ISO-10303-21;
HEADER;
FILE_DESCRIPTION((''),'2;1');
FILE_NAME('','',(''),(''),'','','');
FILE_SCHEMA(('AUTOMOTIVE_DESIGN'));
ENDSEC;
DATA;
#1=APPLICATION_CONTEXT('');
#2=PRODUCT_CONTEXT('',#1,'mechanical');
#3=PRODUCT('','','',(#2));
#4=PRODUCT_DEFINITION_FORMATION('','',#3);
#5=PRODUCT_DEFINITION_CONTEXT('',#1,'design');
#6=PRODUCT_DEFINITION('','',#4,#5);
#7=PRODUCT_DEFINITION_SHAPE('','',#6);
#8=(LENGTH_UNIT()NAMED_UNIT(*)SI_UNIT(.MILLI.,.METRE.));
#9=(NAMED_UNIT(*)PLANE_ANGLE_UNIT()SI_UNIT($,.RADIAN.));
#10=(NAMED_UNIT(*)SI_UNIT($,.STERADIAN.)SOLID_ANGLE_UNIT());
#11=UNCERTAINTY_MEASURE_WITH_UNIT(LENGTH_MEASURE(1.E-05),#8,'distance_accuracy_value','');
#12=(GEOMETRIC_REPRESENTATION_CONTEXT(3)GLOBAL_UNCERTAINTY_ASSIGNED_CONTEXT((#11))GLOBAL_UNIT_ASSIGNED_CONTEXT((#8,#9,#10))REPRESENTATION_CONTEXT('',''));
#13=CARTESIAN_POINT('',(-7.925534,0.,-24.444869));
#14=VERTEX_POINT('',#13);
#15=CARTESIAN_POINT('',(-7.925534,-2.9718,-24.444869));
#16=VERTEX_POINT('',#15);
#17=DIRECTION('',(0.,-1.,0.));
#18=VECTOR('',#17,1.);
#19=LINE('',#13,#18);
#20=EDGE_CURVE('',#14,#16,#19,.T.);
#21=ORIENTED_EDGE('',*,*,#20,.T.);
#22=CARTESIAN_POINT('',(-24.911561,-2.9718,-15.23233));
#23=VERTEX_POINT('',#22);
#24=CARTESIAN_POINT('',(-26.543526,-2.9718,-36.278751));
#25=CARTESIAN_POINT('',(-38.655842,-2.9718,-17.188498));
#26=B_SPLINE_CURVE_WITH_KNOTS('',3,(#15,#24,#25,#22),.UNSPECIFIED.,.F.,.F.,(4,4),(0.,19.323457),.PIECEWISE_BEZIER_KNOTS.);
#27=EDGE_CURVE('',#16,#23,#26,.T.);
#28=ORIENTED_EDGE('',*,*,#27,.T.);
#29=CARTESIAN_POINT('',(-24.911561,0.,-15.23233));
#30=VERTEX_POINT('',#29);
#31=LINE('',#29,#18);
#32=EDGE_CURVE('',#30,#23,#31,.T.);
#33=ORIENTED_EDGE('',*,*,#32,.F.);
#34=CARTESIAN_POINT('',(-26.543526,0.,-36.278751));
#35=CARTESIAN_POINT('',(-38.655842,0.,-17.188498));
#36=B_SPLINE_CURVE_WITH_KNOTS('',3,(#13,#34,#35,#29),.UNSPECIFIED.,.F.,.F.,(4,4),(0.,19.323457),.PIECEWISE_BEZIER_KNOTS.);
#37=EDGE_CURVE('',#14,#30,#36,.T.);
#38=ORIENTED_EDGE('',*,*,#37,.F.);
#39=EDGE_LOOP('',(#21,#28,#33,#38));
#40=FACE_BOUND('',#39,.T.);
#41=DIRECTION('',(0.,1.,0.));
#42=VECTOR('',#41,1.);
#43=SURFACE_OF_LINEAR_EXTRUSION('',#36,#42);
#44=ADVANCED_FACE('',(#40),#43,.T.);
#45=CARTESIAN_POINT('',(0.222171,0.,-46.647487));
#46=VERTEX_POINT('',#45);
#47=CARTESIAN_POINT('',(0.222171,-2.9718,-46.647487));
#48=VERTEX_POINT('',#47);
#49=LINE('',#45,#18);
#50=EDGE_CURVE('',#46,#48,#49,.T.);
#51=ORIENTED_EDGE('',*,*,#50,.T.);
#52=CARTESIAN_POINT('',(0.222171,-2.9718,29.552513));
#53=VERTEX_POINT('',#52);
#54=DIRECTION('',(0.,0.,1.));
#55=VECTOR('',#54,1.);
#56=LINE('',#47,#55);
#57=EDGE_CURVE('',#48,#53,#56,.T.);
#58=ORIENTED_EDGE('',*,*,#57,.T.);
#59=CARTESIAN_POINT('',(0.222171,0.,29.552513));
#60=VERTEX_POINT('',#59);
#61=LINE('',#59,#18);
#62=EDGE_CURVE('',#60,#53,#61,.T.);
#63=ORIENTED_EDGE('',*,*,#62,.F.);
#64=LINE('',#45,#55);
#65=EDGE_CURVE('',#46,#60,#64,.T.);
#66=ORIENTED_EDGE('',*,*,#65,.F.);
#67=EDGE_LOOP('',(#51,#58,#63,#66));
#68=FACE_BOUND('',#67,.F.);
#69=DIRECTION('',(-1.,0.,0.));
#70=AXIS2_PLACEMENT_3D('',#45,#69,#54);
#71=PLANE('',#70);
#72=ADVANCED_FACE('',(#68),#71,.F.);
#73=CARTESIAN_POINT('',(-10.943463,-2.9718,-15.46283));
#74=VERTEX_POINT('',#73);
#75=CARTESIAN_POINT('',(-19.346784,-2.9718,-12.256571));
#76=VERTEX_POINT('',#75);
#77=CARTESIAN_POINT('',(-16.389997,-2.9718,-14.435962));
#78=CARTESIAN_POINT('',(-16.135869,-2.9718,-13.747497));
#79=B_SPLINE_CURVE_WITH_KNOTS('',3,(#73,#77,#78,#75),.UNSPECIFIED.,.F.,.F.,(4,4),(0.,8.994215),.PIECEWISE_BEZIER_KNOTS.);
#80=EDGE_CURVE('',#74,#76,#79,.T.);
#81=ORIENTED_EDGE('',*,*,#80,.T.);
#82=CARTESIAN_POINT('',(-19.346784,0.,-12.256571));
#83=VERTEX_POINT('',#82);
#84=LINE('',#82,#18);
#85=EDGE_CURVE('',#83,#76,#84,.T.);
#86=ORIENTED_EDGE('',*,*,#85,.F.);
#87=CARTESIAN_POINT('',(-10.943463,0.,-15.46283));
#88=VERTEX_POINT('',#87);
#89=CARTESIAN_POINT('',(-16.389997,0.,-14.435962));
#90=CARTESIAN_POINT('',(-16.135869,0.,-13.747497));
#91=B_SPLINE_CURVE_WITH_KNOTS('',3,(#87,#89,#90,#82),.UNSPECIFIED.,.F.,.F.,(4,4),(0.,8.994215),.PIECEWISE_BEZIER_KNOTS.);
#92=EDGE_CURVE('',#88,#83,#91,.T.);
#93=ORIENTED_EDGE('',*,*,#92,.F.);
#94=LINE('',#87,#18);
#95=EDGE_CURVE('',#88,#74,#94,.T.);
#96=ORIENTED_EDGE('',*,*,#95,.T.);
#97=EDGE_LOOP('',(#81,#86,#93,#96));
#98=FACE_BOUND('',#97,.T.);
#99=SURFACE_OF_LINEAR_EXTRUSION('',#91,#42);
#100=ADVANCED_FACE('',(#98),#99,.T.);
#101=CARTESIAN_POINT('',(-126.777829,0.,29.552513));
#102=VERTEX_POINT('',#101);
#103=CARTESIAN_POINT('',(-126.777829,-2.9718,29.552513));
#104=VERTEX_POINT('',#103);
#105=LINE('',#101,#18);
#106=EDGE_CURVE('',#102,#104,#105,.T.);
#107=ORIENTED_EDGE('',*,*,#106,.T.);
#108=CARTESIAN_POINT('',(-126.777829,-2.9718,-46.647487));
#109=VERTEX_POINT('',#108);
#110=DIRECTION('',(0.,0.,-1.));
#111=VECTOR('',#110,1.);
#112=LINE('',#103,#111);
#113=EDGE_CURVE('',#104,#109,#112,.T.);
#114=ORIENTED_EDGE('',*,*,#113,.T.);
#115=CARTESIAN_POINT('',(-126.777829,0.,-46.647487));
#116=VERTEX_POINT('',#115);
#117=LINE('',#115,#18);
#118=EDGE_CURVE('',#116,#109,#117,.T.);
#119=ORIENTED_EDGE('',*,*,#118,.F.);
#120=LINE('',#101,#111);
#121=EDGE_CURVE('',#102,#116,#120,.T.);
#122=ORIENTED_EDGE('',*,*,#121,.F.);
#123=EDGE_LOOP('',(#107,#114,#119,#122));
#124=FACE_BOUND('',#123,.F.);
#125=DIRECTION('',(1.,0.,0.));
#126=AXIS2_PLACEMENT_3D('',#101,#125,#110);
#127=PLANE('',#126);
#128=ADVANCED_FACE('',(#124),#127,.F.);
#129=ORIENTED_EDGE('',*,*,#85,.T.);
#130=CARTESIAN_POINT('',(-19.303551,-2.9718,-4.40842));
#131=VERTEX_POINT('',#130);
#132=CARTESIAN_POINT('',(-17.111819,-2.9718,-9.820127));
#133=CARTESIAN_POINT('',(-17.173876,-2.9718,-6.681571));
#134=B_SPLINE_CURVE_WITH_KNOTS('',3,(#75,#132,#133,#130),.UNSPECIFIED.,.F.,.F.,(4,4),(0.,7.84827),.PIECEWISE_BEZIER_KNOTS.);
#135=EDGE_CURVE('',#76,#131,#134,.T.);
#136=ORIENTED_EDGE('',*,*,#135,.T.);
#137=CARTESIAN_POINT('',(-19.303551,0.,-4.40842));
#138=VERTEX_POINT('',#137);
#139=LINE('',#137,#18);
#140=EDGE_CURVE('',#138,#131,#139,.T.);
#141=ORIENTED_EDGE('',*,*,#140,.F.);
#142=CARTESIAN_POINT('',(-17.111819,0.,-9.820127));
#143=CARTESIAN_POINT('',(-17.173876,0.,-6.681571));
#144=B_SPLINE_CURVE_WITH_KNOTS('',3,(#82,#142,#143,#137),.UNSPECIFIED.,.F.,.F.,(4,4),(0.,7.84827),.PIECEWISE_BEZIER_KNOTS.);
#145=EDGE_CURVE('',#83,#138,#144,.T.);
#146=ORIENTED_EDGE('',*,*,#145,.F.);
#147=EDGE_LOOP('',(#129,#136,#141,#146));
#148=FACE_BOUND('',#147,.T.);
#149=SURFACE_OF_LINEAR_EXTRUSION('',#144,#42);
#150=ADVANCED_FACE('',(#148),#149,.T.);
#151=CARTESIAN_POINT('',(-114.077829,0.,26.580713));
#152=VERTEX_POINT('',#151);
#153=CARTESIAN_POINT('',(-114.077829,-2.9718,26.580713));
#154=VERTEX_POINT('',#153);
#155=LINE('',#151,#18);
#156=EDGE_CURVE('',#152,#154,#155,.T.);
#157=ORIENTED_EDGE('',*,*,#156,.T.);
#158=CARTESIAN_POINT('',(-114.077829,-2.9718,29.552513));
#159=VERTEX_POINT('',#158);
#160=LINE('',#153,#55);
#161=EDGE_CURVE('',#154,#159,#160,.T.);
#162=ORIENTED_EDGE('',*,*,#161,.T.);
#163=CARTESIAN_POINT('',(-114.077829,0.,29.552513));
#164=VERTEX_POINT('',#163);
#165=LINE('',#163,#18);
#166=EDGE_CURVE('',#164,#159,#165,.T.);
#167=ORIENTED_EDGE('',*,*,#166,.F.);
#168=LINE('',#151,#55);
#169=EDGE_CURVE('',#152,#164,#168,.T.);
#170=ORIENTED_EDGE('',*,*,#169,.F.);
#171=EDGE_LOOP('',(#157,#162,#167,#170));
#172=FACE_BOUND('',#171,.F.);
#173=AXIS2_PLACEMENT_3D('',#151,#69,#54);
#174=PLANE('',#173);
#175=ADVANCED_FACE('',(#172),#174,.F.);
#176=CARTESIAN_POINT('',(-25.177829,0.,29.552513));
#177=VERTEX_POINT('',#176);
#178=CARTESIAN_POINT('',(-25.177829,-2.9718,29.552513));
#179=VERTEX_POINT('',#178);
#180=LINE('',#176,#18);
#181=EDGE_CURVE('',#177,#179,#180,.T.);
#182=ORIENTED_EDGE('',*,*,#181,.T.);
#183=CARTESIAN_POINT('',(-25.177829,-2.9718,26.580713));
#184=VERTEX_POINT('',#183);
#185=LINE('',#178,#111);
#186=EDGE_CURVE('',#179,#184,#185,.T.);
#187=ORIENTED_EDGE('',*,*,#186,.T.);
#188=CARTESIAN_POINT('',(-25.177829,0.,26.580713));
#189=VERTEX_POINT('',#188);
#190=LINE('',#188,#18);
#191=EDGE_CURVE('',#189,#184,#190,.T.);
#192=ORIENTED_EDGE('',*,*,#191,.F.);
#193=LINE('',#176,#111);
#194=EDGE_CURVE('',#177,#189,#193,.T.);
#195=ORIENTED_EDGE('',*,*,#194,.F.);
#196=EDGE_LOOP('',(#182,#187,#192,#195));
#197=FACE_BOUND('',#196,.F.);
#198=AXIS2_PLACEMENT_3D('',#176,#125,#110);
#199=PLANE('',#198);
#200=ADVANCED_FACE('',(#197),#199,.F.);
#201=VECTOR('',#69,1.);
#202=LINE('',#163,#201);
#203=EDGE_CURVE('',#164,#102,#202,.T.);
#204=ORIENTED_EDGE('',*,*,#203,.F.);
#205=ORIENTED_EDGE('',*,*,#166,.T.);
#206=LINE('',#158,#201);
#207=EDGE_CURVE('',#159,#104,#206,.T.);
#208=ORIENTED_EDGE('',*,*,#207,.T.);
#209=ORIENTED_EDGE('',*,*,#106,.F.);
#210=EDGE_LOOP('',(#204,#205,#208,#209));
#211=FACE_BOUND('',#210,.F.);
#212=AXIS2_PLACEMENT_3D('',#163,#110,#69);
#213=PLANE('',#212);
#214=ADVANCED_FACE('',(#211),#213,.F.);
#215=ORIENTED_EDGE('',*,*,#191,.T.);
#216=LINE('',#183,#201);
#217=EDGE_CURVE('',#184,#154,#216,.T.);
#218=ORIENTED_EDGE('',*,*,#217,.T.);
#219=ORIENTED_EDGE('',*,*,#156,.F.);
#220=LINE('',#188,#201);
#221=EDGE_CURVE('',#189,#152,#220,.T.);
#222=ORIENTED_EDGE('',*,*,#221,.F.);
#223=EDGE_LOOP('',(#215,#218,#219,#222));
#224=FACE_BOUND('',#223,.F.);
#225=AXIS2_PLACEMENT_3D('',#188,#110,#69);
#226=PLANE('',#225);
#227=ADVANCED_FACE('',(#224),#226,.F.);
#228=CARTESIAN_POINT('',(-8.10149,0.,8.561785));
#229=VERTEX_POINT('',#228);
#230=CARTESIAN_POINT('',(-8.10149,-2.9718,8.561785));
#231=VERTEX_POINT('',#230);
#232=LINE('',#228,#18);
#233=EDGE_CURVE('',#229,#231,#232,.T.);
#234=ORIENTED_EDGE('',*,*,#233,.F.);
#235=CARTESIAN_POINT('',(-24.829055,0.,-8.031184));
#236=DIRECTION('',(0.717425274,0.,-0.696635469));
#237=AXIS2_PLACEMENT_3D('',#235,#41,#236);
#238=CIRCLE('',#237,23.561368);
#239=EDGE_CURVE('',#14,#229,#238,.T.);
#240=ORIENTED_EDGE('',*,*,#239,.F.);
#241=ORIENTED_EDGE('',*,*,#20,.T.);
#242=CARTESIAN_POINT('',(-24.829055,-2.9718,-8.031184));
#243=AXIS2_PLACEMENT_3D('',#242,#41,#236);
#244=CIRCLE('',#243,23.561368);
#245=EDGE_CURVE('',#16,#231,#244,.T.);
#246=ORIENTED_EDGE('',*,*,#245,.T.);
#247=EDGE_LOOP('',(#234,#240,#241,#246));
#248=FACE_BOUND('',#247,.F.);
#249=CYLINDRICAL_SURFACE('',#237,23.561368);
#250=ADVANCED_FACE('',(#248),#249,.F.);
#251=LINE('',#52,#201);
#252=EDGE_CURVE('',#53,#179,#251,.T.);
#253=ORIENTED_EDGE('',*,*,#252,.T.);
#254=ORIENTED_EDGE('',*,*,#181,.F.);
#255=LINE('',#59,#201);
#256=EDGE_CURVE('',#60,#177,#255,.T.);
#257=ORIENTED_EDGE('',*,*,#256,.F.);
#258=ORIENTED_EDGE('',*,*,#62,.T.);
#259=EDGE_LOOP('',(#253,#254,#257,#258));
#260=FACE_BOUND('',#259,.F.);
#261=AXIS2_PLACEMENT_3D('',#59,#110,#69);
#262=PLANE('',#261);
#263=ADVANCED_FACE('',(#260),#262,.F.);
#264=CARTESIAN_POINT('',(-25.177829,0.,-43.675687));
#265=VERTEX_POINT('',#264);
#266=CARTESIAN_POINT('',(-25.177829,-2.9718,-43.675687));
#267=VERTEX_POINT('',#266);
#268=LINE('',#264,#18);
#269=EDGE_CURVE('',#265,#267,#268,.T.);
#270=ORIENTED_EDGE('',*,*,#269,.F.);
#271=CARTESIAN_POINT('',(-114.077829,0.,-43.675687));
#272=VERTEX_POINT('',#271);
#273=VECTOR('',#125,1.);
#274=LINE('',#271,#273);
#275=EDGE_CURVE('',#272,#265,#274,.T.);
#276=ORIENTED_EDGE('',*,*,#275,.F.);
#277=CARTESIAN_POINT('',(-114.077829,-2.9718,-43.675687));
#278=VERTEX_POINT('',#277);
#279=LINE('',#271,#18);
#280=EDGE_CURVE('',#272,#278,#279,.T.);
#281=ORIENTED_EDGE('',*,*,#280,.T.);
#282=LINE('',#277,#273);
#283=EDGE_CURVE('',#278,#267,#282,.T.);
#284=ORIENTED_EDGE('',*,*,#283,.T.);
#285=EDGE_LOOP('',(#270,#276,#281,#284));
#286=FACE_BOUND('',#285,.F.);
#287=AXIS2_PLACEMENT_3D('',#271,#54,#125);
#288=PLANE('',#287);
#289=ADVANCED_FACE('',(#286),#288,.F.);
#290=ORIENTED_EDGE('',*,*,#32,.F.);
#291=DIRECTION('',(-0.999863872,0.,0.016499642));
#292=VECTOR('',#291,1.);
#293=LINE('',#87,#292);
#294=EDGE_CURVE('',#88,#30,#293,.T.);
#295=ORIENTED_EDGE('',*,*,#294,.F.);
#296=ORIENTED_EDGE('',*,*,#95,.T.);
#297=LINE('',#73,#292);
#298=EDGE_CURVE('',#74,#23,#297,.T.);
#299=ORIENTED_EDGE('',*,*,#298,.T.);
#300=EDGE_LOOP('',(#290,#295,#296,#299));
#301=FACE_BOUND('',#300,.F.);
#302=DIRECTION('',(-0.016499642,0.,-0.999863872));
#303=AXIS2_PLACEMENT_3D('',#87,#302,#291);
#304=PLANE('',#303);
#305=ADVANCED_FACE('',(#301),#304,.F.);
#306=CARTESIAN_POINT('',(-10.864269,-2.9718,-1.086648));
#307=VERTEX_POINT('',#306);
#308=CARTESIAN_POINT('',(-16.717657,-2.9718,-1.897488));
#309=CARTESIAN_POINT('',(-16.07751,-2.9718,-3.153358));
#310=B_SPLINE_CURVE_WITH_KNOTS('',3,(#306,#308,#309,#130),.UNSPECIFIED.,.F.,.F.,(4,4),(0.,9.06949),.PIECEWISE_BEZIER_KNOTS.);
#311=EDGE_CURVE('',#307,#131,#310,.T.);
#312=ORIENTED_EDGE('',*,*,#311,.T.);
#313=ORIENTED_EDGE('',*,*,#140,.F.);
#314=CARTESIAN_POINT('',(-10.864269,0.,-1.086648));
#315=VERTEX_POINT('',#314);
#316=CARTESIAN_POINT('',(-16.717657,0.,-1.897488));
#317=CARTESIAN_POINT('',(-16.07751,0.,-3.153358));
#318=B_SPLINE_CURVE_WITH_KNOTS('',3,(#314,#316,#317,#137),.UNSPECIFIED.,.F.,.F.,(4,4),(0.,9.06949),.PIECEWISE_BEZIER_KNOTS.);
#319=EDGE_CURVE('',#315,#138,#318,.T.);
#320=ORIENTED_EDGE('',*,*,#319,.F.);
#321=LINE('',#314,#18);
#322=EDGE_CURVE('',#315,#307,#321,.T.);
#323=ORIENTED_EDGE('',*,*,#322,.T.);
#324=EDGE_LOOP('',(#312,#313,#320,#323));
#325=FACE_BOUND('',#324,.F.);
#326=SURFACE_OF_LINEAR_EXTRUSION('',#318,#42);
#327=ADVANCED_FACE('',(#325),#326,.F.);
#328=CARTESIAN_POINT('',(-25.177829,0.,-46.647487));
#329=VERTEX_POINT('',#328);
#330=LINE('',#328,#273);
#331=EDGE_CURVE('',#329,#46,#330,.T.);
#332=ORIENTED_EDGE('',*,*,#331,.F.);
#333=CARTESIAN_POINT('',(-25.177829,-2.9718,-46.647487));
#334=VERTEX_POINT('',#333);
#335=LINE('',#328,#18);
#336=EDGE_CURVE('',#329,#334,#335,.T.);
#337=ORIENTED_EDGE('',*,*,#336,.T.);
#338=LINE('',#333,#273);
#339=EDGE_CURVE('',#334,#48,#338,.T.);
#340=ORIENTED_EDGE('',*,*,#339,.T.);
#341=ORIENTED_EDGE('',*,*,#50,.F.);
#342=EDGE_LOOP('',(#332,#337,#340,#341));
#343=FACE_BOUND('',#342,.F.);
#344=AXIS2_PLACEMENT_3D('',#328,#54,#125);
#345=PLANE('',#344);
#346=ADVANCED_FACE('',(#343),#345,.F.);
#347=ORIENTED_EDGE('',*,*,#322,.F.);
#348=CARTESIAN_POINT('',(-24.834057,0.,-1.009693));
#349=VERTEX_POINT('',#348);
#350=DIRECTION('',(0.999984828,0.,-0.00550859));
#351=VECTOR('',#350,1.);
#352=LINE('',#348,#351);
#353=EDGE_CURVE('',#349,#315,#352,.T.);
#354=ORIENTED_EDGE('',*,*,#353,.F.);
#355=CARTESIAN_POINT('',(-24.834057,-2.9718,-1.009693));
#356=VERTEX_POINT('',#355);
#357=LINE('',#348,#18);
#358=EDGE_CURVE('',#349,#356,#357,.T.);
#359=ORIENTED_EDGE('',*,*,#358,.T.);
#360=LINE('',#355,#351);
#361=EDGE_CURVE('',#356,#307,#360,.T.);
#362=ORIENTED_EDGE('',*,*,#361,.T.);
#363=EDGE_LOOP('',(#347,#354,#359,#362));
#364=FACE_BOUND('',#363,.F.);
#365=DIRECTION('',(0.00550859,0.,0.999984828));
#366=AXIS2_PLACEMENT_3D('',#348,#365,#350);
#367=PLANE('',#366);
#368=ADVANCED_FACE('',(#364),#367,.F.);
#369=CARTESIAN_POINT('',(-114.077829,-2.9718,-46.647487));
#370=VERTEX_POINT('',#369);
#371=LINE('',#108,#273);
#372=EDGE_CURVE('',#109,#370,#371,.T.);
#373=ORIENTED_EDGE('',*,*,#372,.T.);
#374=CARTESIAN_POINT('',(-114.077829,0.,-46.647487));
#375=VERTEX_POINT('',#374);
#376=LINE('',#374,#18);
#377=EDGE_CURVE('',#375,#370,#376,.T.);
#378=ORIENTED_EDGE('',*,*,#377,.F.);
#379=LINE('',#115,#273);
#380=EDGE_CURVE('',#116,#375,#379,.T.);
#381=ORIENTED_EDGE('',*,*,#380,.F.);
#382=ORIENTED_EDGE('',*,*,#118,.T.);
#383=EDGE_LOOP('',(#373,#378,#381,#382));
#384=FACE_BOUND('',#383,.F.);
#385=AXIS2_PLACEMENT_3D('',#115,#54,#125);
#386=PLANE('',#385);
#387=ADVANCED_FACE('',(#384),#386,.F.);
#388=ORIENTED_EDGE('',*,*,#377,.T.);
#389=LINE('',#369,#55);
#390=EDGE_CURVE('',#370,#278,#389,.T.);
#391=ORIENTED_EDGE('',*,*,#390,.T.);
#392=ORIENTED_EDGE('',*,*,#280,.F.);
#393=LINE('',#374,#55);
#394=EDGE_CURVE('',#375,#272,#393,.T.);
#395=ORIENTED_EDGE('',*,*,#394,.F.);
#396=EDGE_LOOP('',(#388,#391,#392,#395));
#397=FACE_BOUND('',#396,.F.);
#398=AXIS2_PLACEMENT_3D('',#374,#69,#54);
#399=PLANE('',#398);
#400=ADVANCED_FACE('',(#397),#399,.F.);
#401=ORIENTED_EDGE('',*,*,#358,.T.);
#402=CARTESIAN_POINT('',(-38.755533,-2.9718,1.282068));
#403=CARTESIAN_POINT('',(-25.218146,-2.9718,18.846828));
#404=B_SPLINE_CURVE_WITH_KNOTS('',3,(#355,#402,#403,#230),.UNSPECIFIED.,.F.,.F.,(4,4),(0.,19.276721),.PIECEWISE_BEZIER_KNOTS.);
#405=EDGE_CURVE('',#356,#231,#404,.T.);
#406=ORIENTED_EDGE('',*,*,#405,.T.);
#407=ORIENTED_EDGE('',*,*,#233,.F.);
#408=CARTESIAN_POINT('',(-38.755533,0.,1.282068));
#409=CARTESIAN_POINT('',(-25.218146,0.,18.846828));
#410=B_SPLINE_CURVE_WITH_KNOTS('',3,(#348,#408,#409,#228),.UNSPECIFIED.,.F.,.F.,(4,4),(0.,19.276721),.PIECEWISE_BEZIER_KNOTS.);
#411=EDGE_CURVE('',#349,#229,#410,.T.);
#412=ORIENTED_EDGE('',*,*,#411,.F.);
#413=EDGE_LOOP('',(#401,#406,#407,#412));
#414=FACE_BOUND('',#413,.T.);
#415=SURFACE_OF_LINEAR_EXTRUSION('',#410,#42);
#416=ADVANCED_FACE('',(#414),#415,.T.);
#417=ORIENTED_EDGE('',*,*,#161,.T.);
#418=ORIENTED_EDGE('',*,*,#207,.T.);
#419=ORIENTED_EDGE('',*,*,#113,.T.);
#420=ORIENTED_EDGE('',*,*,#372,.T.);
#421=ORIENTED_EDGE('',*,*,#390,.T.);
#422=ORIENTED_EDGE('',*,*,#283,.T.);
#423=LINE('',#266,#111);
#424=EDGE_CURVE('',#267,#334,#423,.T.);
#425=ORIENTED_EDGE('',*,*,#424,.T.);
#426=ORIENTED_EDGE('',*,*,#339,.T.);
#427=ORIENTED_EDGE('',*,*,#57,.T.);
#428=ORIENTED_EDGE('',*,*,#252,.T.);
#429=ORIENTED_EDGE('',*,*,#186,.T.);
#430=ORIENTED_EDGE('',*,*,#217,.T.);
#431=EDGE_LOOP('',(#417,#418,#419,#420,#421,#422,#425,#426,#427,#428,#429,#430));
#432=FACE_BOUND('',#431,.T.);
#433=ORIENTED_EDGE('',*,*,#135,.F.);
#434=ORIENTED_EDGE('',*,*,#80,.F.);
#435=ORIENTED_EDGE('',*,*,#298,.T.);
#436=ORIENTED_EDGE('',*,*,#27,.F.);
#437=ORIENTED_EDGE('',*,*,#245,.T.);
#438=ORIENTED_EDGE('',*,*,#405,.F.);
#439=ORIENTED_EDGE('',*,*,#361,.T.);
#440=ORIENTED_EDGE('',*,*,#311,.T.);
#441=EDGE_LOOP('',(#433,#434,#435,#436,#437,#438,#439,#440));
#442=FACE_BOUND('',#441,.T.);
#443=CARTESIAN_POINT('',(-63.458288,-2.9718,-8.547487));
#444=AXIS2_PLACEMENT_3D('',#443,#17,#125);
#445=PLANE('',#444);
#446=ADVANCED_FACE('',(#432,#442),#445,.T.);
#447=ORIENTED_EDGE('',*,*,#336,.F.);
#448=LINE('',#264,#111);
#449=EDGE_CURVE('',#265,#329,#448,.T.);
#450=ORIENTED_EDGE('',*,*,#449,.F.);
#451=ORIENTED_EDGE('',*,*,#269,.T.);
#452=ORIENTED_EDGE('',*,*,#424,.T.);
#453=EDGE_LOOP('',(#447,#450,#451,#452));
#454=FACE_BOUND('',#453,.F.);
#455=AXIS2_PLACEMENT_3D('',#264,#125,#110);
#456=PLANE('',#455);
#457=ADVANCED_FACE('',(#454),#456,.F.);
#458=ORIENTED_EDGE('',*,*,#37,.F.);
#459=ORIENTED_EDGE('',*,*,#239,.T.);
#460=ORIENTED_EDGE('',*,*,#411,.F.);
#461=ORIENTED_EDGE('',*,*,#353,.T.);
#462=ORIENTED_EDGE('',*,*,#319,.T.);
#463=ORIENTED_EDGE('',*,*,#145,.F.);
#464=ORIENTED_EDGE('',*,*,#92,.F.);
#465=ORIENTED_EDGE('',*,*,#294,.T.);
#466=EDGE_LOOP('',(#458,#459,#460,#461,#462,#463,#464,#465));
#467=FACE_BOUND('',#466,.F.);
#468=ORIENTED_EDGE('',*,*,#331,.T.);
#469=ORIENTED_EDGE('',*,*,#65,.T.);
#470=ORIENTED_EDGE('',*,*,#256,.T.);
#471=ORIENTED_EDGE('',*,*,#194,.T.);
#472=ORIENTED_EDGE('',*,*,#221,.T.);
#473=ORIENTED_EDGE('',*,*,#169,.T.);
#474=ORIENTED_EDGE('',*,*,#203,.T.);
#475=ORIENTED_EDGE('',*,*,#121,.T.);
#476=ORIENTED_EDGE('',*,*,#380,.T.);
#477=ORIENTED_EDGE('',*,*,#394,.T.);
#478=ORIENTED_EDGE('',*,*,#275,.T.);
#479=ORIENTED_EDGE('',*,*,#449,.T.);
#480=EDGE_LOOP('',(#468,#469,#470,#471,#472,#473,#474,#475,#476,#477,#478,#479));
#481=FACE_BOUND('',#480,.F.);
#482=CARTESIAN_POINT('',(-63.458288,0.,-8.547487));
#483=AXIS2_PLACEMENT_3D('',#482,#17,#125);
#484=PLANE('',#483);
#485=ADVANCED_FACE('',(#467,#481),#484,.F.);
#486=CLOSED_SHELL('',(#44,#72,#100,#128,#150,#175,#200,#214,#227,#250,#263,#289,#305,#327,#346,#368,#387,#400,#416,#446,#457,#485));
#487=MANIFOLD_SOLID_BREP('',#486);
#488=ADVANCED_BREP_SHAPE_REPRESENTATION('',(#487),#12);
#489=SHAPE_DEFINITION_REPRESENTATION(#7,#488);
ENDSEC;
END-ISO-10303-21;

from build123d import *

# Parameters (mm, degrees)
F0_W     = 50
F0_H     = 50
F1_DEPTH = 2.9718


with BuildPart() as f1:
    # F0 (on Front) → F1 (new body)
    with BuildSketch(Plane.XZ):
        Polygon((-114.077829, 29.552513), (-126.777829, 29.552513), (-126.777829, -46.647487), (-114.077829, -46.647487), (-114.077829, -43.675687), (-25.177829, -43.675687), (-25.177829, -46.647487), (0.222171, -46.647487), (0.222171, 29.552513), (-25.177829, 29.552513), (-25.177829, 26.580713), (-114.077829, 26.580713), align=None)
        with Locations((-83.808942, -8.550122)):
            Rectangle(F0_W, F0_H, mode=Mode.SUBTRACT)
        with BuildLine():
            add(Edge.make_bspline(
                [(-19.346784, -12.256571), (-17.111819, -9.820127), (-17.173876, -6.681571), (-19.303551, -4.40842)],
                knots=[0, 0, 0, 0, 7.84827, 7.84827, 7.84827, 7.84827], degree=3))
            add(Edge.make_bspline(
                [(-10.943463, -15.46283), (-16.389997, -14.435962), (-16.135869, -13.747497), (-19.346784, -12.256571)],
                knots=[0, 0, 0, 0, 8.994215, 8.994215, 8.994215, 8.994215], degree=3))
            Line((-10.943463, -15.46283), (-24.911561, -15.23233))
            add(Edge.make_bspline(
                [(-7.925534, -24.444869), (-26.543526, -36.278751), (-38.655842, -17.188498), (-24.911561, -15.23233)],
                knots=[0, 0, 0, 0, 19.323457, 19.323457, 19.323457, 19.323457], degree=3))
            ThreePointArc((-7.925534, -24.444869), (-48.390088, -8.156787), (-8.10149, 8.561785))
            add(Edge.make_bspline(
                [(-24.834057, -1.009693), (-38.755533, 1.282068), (-25.218146, 18.846828), (-8.10149, 8.561785)],
                knots=[0, 0, 0, 0, 19.276721, 19.276721, 19.276721, 19.276721], degree=3))
            Line((-24.834057, -1.009693), (-10.864269, -1.086648))
            add(Edge.make_bspline(
                [(-10.864269, -1.086648), (-16.717657, -1.897488), (-16.07751, -3.153358), (-19.303551, -4.40842)],
                knots=[0, 0, 0, 0, 9.06949, 9.06949, 9.06949, 9.06949], degree=3))
        make_face(mode=Mode.SUBTRACT)
        with Locations((-83.808942, -8.550122)):
            Rectangle(F0_W, F0_H)
    extrude(amount=F1_DEPTH)


solid = f1.part
